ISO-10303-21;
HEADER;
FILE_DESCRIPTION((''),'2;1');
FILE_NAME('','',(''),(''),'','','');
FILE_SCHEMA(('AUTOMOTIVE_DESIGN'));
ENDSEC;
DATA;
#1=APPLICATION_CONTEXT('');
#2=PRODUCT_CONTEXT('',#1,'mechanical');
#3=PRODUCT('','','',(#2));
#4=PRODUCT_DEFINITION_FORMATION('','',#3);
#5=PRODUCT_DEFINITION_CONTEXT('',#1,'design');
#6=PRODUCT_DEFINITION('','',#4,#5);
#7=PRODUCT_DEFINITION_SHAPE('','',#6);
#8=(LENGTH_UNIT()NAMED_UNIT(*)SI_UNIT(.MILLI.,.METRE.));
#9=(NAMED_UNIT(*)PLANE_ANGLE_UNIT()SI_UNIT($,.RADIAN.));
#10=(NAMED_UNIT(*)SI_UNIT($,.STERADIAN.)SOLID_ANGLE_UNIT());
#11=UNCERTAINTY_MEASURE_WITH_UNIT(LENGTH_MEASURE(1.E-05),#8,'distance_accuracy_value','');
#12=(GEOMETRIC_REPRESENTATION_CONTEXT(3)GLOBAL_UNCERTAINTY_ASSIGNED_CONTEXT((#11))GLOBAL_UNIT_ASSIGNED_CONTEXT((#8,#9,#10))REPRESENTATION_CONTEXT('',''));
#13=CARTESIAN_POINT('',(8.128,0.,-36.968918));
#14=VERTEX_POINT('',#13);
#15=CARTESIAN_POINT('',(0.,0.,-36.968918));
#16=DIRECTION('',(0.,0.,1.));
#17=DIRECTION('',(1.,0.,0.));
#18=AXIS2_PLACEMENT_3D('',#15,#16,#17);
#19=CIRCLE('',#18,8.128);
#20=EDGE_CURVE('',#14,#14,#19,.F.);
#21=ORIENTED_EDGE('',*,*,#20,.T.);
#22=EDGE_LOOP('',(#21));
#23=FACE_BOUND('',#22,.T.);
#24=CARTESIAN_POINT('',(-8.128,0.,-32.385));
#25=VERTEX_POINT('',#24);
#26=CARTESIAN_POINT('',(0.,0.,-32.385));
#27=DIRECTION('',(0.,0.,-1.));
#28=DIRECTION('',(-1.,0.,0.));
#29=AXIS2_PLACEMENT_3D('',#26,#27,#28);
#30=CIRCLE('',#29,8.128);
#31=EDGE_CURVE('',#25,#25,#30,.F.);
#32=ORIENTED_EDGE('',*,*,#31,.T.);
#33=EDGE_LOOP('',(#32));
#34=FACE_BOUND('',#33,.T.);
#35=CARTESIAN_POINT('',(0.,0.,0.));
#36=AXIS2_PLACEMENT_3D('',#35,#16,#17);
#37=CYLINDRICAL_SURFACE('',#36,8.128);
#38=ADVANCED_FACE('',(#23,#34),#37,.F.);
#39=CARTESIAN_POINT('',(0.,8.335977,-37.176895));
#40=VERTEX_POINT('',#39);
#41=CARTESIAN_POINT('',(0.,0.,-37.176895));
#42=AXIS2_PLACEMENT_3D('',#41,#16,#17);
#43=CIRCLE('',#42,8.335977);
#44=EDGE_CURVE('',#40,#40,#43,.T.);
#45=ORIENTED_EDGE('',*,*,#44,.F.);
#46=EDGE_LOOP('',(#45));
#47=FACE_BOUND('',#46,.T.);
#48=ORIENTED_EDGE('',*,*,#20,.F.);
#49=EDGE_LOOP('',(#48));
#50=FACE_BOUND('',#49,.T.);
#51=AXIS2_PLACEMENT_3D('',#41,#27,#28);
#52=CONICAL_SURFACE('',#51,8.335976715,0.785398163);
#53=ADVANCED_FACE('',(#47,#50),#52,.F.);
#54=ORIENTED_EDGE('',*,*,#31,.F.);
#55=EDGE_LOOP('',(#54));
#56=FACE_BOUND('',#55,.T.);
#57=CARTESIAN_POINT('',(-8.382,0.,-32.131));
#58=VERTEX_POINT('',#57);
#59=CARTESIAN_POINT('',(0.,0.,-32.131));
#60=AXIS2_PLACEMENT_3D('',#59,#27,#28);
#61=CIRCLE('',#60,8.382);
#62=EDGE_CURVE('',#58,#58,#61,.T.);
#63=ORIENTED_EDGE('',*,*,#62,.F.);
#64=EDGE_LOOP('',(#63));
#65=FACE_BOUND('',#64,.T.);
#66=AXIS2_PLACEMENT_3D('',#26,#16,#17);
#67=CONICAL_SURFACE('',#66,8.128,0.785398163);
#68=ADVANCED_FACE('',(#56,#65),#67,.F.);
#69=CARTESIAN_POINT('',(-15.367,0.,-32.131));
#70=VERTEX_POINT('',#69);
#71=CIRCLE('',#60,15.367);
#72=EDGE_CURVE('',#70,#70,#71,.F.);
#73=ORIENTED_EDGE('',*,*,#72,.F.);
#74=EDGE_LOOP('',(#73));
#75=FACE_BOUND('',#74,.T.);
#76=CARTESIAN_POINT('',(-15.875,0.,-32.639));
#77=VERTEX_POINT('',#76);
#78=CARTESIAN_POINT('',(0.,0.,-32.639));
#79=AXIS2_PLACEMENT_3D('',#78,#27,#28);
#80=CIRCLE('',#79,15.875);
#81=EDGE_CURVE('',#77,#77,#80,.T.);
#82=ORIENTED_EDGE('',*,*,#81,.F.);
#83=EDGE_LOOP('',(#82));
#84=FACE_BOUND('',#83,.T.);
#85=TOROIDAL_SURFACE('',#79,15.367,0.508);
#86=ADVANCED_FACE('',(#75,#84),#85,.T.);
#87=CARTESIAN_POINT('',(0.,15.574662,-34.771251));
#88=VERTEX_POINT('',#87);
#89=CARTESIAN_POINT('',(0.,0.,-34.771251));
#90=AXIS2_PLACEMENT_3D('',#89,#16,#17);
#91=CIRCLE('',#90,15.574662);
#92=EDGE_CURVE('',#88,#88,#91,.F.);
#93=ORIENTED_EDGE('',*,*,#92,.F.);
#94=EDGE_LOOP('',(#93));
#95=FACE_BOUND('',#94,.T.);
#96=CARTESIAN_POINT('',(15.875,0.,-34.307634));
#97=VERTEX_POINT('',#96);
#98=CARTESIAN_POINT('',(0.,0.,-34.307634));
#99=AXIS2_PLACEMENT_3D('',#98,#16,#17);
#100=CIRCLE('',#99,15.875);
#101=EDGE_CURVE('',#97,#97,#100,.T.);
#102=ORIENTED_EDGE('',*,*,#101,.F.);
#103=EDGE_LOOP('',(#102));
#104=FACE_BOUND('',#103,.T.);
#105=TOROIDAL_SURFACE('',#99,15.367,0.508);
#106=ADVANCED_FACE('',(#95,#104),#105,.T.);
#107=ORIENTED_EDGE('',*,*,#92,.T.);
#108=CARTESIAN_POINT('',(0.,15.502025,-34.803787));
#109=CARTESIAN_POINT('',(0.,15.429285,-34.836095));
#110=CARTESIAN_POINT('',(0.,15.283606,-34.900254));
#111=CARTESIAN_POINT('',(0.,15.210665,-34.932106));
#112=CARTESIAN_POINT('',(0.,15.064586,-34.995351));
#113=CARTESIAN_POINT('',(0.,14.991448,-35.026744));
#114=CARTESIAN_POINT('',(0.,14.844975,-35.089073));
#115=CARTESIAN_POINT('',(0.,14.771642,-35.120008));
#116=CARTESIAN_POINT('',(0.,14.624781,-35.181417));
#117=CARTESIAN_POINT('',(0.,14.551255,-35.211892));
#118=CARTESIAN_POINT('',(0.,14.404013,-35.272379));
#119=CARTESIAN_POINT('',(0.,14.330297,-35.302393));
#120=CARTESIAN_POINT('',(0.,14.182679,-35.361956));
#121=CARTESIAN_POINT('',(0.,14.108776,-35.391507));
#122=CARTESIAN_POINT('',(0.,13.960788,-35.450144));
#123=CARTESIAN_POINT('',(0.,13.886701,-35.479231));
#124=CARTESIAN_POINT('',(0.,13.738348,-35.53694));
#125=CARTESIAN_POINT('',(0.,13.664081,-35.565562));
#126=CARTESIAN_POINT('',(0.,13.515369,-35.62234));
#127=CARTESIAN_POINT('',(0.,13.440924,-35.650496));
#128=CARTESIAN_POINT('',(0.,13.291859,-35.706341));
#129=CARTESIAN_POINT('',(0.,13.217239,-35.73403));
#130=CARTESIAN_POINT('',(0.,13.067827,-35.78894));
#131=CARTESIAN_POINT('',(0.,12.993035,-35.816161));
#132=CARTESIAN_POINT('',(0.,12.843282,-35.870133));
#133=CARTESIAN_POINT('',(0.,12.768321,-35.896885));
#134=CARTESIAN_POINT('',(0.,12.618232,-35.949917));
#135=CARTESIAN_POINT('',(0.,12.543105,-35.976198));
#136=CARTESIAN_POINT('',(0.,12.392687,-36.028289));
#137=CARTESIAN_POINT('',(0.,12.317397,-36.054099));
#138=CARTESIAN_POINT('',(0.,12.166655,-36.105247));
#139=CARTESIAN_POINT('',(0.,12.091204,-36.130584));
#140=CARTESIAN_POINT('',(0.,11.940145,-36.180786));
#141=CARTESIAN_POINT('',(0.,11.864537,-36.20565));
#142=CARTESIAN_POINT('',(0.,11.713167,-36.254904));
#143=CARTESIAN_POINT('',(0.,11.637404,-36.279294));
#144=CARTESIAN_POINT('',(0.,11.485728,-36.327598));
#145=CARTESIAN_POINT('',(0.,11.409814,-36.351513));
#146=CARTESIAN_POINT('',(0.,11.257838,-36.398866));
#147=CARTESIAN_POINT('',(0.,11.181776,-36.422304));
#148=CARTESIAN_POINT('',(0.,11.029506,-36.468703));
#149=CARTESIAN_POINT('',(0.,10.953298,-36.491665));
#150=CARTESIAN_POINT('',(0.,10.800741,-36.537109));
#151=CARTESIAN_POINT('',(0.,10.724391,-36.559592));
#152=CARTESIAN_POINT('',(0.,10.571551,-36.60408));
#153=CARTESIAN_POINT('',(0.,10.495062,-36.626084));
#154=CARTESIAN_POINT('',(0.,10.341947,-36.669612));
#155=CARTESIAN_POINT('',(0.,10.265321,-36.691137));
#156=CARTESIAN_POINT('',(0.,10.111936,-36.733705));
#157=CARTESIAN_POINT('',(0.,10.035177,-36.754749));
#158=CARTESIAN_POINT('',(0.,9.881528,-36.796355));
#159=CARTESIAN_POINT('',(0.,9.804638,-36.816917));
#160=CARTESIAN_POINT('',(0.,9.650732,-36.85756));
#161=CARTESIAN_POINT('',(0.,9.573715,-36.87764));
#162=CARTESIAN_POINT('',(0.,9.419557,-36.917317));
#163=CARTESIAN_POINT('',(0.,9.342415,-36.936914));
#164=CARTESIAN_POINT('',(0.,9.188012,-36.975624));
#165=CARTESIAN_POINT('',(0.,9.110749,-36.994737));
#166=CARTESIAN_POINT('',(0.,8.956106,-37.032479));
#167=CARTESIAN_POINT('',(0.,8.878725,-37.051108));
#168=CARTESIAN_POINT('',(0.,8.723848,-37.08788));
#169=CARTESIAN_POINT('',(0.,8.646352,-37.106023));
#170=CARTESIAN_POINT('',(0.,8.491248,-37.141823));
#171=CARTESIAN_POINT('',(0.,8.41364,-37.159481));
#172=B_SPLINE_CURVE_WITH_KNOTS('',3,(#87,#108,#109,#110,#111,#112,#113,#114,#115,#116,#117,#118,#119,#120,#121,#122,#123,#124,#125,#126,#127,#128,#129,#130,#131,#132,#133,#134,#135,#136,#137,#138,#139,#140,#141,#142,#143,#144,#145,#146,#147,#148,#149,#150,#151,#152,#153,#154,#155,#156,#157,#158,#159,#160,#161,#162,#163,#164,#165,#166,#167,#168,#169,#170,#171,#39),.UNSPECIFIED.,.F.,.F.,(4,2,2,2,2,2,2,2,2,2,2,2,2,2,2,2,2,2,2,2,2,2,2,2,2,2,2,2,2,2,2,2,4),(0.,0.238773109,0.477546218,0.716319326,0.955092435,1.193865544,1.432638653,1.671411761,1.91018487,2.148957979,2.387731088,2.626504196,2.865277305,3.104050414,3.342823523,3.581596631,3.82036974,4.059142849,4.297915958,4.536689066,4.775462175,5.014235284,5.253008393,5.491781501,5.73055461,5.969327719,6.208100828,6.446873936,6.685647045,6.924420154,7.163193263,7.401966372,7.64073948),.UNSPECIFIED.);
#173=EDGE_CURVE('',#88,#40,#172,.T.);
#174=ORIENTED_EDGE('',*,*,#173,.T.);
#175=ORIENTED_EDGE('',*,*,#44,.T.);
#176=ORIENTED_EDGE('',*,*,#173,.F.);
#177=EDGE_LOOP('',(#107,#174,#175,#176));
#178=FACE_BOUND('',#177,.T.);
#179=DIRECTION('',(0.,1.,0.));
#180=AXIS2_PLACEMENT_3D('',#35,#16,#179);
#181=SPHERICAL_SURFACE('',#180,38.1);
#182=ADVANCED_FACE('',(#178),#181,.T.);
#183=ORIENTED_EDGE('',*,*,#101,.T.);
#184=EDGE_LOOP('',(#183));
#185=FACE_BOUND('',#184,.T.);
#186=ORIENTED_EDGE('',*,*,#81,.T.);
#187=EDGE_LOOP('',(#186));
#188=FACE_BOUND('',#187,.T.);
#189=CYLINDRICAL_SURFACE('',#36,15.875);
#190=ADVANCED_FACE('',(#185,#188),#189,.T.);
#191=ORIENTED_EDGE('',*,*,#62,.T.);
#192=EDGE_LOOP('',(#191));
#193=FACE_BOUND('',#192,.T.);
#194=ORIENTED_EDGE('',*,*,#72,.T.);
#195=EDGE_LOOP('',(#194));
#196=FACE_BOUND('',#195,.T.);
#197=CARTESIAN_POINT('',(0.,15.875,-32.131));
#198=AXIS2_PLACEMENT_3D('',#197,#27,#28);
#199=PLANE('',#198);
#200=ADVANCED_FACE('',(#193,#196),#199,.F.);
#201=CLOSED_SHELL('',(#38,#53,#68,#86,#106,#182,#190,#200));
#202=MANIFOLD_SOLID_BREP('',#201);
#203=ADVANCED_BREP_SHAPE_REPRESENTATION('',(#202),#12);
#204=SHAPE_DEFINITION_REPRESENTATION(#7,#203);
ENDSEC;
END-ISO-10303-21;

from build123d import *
from OCP.BRepFilletAPI import BRepFilletAPI_MakeChamfer

# Parameters (mm, degrees)
CHAMFER1_SIZE  = 0.254
CHAMFER1_SIZE2 = 0.213389286
FILLET1_R      = 0.508


with BuildPart() as part:
    # Sketch1 → Revolve1 (revolve)
    with BuildSketch(Plane(origin=(0, 0, 0), x_dir=(0, 0, -1), z_dir=(1, 0, 0)), mode=Mode.PRIVATE) as revolve1_sk:
        with BuildLine():
            Line((32.131, 15.875), (32.131, 8.128))
            Line((32.131, 8.128), (37.222917887, 8.128))
            ThreePointArc((37.222917887, 8.128), (36.1372367, 12.071044848), (34.635160964, 15.875))
            Line((34.635160964, 15.875), (32.131, 15.875))
        make_face()
    revolve(revolve1_sk.sketch.rotate(Axis((0, 0, 0), (0, 0, -1)), 90), axis=Axis((0, 0, 0), (0, 0, -1)))

    # Chamfer1: one chamfer whose edges measure the first distance from different faces: ONE call of the kernel's chamfer builder (chamfer() names one face for all edges)
    chamfer1_edges_1 = [part.edges().sort_by_distance(p)[0] for p in [
        (-8.128, 0, -37.222917887),
    ]]
    chamfer1_side_1 = [part.faces().sort_by_distance(p)[0] for p in [
        (-8.128, 0, -34.676958943),
    ]]
    chamfer1_edges_2 = [part.edges().sort_by_distance(p)[0] for p in [
        (-8.128, 0, -32.131),
    ]]
    chamfer1 = BRepFilletAPI_MakeChamfer(part.part.solid().wrapped)
    for e in chamfer1_edges_1:
        chamfer1.Add(CHAMFER1_SIZE, CHAMFER1_SIZE2, e.wrapped, chamfer1_side_1[0].wrapped)  # the first distance lies on this face
    for e in chamfer1_edges_2:
        chamfer1.Add(CHAMFER1_SIZE, e.wrapped)
    add(Compound.cast(chamfer1.Shape()), mode=Mode.REPLACE)

    # Fillet1
    fillet1_edges = [part.edges().sort_by_distance(p)[0] for p in [
        (-15.875, 0, -34.635160964),
        (-15.875, 0, -32.131),
    ]]
    fillet(fillet1_edges, radius=FILLET1_R)


solid = part.part
